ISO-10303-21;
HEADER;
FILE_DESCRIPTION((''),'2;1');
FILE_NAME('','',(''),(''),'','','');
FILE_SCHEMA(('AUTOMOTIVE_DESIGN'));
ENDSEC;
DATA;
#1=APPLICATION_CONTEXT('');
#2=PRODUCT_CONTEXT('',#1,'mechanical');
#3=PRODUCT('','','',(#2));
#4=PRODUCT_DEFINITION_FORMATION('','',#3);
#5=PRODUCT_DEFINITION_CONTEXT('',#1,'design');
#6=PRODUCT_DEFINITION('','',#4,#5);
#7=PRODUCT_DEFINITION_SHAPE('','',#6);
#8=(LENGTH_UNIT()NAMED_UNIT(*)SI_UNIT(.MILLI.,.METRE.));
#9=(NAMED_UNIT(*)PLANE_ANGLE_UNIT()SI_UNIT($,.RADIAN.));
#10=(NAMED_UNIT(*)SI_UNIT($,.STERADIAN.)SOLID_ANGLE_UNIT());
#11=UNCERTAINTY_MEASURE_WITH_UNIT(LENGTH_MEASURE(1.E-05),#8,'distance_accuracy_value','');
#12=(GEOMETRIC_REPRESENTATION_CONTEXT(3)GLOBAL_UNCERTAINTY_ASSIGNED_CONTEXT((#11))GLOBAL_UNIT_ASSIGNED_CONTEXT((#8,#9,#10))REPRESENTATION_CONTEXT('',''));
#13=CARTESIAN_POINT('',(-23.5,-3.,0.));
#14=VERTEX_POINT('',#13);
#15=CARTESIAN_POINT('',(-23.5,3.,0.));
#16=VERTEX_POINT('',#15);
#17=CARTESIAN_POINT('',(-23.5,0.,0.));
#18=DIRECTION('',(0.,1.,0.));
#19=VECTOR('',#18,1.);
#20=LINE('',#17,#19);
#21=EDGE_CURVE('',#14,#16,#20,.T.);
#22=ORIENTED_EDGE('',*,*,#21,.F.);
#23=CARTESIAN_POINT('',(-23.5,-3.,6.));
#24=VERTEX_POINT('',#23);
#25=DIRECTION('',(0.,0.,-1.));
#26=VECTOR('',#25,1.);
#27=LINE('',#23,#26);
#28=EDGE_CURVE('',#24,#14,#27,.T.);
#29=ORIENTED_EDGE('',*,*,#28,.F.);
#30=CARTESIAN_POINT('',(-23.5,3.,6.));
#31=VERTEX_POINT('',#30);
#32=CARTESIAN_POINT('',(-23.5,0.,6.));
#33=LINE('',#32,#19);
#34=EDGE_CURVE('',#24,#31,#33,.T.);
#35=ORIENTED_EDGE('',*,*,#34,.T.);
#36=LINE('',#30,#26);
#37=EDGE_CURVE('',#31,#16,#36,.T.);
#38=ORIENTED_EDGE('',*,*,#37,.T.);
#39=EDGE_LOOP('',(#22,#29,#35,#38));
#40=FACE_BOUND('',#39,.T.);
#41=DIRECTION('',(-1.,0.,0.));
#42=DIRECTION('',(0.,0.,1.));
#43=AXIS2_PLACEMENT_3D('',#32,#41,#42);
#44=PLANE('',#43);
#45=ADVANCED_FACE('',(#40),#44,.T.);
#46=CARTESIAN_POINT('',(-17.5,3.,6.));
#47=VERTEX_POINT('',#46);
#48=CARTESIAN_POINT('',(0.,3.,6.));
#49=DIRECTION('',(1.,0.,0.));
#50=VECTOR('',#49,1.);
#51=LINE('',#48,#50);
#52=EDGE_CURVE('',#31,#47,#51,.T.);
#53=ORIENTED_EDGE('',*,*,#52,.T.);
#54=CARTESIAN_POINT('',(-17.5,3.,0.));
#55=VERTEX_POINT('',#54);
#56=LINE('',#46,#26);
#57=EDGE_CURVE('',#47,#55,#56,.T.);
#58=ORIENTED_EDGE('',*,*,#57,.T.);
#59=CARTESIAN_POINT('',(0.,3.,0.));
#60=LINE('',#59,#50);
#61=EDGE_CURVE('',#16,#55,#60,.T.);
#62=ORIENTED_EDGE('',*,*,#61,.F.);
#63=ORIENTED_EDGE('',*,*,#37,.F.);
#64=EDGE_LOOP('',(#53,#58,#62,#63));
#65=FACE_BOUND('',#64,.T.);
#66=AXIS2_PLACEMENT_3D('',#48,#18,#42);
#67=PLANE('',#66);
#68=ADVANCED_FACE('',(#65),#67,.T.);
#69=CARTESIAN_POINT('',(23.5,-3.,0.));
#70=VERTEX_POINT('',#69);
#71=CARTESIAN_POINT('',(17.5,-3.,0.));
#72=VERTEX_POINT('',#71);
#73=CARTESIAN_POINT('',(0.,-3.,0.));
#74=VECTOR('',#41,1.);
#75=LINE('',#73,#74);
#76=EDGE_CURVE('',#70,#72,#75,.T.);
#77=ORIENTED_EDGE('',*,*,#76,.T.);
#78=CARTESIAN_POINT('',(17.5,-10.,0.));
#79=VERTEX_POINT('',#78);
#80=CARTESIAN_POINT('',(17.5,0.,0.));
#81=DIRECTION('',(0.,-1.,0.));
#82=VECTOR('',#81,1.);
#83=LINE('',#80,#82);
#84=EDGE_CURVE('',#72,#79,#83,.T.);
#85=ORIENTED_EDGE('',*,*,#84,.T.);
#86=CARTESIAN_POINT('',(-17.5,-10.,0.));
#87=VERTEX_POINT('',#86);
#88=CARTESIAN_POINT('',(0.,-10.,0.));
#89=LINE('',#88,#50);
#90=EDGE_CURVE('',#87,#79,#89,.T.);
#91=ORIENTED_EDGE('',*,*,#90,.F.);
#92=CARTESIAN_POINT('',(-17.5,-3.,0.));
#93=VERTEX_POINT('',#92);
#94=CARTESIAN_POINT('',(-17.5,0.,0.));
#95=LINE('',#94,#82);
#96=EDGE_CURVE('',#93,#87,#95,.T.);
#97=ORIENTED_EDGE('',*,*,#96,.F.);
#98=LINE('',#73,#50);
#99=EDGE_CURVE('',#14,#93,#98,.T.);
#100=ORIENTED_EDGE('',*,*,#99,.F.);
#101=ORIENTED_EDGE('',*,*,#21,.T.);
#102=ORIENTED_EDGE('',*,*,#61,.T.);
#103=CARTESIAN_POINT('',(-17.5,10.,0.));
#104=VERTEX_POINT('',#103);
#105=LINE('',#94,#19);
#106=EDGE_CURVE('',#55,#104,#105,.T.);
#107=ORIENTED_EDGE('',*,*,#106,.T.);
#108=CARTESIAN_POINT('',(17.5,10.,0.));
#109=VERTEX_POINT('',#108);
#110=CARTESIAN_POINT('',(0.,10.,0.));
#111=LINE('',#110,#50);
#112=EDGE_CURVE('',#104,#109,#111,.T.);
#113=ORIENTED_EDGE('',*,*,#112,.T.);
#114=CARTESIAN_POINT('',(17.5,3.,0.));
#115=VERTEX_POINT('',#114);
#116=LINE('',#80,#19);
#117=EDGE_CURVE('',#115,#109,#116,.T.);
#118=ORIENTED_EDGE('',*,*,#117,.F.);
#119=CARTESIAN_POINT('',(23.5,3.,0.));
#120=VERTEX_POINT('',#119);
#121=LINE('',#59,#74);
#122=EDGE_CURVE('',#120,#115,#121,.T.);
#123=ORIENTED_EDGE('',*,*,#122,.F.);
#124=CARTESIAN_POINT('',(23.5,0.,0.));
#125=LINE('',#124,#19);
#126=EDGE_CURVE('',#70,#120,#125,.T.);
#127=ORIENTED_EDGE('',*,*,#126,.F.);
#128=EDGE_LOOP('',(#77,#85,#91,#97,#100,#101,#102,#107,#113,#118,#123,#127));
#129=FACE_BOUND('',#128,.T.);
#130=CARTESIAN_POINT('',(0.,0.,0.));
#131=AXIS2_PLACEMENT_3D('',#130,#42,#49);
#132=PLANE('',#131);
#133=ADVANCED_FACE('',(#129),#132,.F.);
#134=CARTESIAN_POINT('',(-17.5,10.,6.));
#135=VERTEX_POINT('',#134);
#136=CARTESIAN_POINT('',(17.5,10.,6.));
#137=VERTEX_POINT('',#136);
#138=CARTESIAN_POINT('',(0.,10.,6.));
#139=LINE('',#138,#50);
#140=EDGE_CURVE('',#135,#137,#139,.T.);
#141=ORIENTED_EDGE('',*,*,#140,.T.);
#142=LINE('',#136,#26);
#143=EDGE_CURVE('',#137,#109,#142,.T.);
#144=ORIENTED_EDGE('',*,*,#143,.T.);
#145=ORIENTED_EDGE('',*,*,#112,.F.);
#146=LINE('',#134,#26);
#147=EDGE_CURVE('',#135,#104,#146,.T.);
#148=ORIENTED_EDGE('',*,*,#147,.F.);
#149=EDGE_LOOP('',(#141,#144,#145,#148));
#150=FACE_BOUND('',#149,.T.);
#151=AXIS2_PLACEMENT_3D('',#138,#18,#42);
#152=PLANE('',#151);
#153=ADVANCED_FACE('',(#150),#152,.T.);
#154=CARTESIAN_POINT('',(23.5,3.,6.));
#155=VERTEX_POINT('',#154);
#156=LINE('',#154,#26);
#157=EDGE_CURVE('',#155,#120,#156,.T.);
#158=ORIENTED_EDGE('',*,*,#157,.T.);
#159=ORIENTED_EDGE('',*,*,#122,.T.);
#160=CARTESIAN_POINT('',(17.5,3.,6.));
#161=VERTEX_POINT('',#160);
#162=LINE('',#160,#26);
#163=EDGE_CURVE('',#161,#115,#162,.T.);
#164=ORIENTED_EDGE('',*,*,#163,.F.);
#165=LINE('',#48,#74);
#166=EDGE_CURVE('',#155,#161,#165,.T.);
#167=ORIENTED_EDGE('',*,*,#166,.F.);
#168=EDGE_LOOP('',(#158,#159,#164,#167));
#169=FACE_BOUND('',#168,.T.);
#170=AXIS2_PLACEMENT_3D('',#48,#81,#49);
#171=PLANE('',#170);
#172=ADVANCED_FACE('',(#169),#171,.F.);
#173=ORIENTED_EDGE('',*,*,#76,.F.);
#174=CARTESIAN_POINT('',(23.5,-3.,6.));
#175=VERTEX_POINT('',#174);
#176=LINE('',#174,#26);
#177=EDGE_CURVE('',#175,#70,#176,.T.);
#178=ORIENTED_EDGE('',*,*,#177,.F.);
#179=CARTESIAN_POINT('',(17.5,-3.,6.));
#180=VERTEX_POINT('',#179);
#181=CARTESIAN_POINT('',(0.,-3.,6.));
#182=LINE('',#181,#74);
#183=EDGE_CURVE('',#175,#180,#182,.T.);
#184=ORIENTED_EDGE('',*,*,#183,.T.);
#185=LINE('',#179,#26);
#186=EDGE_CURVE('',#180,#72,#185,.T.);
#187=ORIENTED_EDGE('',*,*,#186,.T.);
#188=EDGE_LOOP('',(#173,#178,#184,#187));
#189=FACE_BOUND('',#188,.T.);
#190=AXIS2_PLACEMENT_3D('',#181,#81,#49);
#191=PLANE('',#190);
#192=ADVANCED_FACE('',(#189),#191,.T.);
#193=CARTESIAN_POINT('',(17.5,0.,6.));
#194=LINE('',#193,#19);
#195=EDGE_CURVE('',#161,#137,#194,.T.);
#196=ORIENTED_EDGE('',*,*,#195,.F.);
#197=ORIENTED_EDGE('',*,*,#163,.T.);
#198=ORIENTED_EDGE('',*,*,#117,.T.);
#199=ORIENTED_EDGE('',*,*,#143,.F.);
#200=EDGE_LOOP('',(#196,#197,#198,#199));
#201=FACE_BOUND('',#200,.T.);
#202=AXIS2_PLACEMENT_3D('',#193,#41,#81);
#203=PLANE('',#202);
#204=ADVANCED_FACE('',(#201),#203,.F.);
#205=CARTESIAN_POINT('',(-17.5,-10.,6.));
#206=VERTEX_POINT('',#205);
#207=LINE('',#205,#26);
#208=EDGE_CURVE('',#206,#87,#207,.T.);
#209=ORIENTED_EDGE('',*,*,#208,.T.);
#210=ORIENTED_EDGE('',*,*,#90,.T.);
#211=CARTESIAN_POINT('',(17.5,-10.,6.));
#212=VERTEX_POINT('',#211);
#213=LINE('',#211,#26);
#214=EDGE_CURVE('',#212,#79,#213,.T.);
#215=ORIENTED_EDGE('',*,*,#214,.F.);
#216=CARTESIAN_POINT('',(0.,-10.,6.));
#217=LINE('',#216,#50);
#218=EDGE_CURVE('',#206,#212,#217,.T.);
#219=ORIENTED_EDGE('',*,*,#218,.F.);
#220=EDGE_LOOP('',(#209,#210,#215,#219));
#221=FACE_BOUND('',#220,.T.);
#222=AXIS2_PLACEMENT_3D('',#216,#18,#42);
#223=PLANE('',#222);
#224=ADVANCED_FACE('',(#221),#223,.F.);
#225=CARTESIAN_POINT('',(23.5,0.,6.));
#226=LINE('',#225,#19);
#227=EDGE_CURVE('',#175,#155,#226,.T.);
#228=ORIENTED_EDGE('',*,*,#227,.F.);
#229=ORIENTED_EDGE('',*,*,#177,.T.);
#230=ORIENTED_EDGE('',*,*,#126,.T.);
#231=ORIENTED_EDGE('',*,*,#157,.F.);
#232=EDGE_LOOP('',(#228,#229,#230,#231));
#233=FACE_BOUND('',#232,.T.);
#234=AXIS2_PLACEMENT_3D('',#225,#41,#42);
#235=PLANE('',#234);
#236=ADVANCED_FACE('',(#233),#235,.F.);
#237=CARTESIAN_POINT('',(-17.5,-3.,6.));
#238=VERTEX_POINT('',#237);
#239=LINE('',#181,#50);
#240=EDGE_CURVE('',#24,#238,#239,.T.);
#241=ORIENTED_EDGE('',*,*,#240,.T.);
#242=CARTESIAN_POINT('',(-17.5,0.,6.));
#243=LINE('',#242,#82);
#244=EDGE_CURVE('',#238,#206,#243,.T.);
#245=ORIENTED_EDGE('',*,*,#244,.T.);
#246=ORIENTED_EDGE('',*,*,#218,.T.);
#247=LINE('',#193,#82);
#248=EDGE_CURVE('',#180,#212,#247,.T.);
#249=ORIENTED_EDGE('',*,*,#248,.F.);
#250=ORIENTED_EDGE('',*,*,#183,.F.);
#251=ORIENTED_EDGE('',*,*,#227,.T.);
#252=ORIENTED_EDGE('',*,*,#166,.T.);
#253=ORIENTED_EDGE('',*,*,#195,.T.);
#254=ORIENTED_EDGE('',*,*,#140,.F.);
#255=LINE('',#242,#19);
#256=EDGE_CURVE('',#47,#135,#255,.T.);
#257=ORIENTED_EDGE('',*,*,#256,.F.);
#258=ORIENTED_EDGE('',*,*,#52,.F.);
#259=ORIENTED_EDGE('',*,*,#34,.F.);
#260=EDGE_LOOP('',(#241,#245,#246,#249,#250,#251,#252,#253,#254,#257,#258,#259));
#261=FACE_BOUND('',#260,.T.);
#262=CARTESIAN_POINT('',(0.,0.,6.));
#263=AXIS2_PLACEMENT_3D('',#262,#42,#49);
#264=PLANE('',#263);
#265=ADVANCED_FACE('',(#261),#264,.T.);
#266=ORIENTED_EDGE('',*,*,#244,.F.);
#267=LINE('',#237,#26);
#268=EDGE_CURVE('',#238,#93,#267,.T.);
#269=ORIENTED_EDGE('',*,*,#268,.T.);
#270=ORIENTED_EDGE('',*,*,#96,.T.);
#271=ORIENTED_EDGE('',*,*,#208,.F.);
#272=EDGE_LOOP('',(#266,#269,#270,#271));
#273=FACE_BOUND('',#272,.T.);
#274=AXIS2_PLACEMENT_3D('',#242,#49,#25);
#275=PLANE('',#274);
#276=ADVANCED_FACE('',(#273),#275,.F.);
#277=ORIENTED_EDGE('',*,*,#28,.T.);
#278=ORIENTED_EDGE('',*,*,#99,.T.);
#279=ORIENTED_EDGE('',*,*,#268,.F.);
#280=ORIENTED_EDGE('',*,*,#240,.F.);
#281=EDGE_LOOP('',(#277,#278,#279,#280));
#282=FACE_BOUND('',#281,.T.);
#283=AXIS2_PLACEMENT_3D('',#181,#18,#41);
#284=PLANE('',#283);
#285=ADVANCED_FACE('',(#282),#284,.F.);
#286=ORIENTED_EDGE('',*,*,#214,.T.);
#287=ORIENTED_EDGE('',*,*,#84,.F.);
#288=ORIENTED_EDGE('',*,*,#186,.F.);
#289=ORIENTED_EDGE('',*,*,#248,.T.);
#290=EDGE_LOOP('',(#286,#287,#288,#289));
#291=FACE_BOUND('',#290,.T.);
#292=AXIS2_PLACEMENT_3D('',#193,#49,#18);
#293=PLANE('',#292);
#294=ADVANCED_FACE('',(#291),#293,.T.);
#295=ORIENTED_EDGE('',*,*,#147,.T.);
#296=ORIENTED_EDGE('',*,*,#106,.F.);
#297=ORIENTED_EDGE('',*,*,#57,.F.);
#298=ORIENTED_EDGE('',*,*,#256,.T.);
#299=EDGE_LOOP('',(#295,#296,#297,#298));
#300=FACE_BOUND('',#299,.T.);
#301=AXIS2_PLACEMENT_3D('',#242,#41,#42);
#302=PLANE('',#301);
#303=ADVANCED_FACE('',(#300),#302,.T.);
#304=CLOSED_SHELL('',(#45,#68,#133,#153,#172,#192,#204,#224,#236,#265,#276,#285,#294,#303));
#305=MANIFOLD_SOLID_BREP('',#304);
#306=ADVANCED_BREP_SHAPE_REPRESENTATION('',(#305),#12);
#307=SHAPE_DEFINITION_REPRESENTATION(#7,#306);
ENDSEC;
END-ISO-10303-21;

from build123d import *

# Parameters (mm, degrees)
EXTRUDE_1_DEPTH = 6


with BuildPart() as part:
    # Эскиз1 → Бобышка-Вытянуть1 (new body)
    with BuildSketch(Plane.XY):
        Polygon((-23.5, -3), (-23.5, 3), (-17.5, 3), (-17.5, 10), (17.5, 10), (17.5, 3), (23.5, 3), (23.5, -3), (17.5, -3), (17.5, -10), (-17.5, -10), (-17.5, -3), align=None)
    extrude(amount=EXTRUDE_1_DEPTH)


solid = part.part
